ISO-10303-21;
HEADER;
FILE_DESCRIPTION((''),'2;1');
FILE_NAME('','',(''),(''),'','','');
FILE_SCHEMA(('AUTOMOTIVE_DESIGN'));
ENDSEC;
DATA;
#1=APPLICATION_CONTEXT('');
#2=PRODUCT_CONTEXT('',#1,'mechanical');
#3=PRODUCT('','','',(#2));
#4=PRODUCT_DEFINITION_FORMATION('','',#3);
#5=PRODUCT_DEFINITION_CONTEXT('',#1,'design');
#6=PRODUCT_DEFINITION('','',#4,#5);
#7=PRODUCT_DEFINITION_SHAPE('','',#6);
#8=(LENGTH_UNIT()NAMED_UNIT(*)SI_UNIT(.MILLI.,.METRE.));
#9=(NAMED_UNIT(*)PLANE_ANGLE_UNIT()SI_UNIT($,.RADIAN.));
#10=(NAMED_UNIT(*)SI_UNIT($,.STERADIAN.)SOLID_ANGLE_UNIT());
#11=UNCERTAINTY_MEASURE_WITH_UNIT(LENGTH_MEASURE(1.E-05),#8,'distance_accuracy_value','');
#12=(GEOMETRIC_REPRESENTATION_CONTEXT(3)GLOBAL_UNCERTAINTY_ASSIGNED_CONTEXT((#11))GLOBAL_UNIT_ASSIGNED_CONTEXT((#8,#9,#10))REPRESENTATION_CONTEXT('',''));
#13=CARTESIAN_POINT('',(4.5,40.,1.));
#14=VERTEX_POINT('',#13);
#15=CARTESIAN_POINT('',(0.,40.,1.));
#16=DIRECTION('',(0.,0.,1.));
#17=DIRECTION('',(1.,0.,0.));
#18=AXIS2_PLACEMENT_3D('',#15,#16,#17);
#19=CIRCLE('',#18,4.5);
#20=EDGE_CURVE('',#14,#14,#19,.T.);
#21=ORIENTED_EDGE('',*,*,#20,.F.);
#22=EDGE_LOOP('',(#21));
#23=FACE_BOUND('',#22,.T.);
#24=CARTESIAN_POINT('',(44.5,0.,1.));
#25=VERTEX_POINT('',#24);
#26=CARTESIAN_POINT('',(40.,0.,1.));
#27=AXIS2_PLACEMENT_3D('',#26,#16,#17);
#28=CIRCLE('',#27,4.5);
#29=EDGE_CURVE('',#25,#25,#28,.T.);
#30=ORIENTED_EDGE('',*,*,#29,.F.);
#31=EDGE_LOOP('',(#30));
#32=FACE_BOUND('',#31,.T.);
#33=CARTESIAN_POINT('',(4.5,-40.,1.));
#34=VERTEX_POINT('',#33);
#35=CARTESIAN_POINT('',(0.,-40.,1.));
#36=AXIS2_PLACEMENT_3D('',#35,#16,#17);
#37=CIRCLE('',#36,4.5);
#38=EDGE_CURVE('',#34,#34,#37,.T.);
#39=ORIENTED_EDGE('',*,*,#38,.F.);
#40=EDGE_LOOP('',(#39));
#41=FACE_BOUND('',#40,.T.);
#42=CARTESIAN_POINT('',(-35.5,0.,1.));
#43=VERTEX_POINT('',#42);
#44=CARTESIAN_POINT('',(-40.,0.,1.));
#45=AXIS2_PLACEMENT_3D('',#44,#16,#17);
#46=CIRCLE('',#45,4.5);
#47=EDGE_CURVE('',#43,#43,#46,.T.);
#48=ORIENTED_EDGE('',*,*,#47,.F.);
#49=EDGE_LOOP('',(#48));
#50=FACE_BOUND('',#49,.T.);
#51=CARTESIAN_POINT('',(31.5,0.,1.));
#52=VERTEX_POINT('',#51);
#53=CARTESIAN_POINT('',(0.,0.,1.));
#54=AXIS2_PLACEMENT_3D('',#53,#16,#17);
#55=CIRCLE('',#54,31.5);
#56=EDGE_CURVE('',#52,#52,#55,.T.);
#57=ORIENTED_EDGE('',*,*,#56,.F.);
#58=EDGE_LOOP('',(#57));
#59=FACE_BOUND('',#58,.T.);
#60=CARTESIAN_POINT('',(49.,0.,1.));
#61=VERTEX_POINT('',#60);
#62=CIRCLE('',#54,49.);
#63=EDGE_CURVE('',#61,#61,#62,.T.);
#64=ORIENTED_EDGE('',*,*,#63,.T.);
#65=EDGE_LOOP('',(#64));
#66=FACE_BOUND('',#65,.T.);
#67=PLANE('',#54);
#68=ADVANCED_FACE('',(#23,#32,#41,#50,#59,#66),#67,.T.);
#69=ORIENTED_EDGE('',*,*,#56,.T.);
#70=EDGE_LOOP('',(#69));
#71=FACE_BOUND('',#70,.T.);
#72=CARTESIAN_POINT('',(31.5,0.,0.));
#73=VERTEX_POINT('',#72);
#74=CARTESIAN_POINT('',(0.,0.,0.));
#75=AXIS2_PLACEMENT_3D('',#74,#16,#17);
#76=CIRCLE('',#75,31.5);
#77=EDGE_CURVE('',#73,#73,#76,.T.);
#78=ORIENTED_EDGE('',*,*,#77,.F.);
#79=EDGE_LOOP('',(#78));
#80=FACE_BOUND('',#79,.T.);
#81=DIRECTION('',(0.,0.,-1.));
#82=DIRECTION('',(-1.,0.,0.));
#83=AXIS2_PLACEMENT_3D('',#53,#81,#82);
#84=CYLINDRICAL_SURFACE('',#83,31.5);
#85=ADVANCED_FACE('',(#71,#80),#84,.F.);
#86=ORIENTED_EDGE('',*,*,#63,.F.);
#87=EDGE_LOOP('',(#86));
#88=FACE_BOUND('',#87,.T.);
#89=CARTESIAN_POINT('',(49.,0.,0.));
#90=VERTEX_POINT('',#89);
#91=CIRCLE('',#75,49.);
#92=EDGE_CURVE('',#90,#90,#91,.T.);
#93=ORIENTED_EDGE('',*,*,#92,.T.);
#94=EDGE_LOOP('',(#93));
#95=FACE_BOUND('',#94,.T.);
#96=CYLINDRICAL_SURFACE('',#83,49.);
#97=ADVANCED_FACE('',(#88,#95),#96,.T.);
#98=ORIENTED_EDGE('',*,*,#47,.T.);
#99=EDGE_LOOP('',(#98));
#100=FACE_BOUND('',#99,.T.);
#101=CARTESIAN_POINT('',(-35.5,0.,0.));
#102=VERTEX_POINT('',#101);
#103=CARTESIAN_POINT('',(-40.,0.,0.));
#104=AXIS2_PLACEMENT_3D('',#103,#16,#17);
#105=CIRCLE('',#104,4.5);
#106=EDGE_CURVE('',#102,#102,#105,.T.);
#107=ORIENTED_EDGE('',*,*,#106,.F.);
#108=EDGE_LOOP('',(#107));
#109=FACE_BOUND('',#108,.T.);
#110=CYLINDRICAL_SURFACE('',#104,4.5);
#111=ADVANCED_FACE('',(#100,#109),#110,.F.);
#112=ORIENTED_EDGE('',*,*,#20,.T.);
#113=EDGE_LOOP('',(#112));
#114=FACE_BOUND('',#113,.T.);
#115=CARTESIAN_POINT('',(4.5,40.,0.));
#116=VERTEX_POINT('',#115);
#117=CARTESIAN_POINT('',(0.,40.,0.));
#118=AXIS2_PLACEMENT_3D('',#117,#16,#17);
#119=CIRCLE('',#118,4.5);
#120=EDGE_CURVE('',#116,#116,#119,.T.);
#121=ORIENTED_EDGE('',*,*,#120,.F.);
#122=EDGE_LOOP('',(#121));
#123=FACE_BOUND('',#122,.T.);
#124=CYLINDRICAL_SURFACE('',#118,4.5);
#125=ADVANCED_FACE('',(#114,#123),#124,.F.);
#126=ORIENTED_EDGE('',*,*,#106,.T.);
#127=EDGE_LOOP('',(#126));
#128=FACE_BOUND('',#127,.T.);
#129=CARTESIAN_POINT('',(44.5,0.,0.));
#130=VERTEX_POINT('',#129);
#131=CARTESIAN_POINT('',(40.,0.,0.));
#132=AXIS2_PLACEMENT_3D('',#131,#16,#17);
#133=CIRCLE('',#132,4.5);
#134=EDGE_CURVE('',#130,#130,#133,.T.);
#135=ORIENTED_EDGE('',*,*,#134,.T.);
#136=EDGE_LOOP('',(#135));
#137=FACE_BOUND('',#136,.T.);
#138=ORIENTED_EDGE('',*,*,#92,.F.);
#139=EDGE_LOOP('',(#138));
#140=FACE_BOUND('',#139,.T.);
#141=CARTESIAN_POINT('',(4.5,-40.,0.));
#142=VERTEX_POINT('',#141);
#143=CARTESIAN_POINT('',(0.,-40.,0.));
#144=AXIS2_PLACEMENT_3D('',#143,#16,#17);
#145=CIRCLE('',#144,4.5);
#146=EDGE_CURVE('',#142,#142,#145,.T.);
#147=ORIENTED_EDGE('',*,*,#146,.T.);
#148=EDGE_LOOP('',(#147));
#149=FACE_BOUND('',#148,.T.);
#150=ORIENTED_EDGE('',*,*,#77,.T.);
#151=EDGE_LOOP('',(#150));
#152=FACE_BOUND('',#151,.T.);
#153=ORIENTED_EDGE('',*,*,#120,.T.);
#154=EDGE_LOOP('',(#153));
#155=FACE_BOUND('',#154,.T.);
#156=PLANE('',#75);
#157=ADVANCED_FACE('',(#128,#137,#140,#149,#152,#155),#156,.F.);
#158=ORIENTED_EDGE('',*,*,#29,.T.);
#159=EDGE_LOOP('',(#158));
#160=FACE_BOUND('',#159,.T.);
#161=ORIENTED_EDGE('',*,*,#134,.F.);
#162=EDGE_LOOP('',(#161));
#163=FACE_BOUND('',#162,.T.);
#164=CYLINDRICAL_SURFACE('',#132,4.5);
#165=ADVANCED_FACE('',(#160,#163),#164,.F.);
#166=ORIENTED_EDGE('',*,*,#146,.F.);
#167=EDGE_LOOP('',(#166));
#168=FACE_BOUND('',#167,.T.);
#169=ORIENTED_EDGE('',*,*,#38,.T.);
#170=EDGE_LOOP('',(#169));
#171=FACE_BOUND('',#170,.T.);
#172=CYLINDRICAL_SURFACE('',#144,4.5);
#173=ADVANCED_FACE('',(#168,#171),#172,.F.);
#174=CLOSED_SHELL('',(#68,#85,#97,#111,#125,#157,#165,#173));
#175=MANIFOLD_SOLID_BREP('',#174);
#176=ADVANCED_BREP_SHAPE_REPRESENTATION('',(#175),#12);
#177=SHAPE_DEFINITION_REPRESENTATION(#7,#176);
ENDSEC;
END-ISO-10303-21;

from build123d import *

# Parameters (mm, degrees)
SKETCH_1_R          = 49
SKETCH_1_R_2        = 31.5
EXTRUDE_1_DEPTH     = 1
SKETCH_2_R          = 4.5
CUT_EXTRUDE_1_DEPTH = 1


with BuildPart() as part:
    # 草图1 → 凸台-拉伸1 (new body)
    with BuildSketch(Plane.XY):
        Circle(SKETCH_1_R)
        Circle(SKETCH_1_R_2, mode=Mode.SUBTRACT)
    extrude(amount=EXTRUDE_1_DEPTH)

    # 草图2 → 切除-拉伸1 (cut)
    with BuildSketch(Plane.XY.offset(1)):
        with Locations((0, 40)):
            Circle(SKETCH_2_R)
        with Locations((40, 0)):
            Circle(SKETCH_2_R)
        with Locations((0, -40)):
            Circle(SKETCH_2_R)
        with Locations((-40, 0)):
            Circle(SKETCH_2_R)
    extrude(amount=-CUT_EXTRUDE_1_DEPTH, mode=Mode.SUBTRACT)


solid = part.part
